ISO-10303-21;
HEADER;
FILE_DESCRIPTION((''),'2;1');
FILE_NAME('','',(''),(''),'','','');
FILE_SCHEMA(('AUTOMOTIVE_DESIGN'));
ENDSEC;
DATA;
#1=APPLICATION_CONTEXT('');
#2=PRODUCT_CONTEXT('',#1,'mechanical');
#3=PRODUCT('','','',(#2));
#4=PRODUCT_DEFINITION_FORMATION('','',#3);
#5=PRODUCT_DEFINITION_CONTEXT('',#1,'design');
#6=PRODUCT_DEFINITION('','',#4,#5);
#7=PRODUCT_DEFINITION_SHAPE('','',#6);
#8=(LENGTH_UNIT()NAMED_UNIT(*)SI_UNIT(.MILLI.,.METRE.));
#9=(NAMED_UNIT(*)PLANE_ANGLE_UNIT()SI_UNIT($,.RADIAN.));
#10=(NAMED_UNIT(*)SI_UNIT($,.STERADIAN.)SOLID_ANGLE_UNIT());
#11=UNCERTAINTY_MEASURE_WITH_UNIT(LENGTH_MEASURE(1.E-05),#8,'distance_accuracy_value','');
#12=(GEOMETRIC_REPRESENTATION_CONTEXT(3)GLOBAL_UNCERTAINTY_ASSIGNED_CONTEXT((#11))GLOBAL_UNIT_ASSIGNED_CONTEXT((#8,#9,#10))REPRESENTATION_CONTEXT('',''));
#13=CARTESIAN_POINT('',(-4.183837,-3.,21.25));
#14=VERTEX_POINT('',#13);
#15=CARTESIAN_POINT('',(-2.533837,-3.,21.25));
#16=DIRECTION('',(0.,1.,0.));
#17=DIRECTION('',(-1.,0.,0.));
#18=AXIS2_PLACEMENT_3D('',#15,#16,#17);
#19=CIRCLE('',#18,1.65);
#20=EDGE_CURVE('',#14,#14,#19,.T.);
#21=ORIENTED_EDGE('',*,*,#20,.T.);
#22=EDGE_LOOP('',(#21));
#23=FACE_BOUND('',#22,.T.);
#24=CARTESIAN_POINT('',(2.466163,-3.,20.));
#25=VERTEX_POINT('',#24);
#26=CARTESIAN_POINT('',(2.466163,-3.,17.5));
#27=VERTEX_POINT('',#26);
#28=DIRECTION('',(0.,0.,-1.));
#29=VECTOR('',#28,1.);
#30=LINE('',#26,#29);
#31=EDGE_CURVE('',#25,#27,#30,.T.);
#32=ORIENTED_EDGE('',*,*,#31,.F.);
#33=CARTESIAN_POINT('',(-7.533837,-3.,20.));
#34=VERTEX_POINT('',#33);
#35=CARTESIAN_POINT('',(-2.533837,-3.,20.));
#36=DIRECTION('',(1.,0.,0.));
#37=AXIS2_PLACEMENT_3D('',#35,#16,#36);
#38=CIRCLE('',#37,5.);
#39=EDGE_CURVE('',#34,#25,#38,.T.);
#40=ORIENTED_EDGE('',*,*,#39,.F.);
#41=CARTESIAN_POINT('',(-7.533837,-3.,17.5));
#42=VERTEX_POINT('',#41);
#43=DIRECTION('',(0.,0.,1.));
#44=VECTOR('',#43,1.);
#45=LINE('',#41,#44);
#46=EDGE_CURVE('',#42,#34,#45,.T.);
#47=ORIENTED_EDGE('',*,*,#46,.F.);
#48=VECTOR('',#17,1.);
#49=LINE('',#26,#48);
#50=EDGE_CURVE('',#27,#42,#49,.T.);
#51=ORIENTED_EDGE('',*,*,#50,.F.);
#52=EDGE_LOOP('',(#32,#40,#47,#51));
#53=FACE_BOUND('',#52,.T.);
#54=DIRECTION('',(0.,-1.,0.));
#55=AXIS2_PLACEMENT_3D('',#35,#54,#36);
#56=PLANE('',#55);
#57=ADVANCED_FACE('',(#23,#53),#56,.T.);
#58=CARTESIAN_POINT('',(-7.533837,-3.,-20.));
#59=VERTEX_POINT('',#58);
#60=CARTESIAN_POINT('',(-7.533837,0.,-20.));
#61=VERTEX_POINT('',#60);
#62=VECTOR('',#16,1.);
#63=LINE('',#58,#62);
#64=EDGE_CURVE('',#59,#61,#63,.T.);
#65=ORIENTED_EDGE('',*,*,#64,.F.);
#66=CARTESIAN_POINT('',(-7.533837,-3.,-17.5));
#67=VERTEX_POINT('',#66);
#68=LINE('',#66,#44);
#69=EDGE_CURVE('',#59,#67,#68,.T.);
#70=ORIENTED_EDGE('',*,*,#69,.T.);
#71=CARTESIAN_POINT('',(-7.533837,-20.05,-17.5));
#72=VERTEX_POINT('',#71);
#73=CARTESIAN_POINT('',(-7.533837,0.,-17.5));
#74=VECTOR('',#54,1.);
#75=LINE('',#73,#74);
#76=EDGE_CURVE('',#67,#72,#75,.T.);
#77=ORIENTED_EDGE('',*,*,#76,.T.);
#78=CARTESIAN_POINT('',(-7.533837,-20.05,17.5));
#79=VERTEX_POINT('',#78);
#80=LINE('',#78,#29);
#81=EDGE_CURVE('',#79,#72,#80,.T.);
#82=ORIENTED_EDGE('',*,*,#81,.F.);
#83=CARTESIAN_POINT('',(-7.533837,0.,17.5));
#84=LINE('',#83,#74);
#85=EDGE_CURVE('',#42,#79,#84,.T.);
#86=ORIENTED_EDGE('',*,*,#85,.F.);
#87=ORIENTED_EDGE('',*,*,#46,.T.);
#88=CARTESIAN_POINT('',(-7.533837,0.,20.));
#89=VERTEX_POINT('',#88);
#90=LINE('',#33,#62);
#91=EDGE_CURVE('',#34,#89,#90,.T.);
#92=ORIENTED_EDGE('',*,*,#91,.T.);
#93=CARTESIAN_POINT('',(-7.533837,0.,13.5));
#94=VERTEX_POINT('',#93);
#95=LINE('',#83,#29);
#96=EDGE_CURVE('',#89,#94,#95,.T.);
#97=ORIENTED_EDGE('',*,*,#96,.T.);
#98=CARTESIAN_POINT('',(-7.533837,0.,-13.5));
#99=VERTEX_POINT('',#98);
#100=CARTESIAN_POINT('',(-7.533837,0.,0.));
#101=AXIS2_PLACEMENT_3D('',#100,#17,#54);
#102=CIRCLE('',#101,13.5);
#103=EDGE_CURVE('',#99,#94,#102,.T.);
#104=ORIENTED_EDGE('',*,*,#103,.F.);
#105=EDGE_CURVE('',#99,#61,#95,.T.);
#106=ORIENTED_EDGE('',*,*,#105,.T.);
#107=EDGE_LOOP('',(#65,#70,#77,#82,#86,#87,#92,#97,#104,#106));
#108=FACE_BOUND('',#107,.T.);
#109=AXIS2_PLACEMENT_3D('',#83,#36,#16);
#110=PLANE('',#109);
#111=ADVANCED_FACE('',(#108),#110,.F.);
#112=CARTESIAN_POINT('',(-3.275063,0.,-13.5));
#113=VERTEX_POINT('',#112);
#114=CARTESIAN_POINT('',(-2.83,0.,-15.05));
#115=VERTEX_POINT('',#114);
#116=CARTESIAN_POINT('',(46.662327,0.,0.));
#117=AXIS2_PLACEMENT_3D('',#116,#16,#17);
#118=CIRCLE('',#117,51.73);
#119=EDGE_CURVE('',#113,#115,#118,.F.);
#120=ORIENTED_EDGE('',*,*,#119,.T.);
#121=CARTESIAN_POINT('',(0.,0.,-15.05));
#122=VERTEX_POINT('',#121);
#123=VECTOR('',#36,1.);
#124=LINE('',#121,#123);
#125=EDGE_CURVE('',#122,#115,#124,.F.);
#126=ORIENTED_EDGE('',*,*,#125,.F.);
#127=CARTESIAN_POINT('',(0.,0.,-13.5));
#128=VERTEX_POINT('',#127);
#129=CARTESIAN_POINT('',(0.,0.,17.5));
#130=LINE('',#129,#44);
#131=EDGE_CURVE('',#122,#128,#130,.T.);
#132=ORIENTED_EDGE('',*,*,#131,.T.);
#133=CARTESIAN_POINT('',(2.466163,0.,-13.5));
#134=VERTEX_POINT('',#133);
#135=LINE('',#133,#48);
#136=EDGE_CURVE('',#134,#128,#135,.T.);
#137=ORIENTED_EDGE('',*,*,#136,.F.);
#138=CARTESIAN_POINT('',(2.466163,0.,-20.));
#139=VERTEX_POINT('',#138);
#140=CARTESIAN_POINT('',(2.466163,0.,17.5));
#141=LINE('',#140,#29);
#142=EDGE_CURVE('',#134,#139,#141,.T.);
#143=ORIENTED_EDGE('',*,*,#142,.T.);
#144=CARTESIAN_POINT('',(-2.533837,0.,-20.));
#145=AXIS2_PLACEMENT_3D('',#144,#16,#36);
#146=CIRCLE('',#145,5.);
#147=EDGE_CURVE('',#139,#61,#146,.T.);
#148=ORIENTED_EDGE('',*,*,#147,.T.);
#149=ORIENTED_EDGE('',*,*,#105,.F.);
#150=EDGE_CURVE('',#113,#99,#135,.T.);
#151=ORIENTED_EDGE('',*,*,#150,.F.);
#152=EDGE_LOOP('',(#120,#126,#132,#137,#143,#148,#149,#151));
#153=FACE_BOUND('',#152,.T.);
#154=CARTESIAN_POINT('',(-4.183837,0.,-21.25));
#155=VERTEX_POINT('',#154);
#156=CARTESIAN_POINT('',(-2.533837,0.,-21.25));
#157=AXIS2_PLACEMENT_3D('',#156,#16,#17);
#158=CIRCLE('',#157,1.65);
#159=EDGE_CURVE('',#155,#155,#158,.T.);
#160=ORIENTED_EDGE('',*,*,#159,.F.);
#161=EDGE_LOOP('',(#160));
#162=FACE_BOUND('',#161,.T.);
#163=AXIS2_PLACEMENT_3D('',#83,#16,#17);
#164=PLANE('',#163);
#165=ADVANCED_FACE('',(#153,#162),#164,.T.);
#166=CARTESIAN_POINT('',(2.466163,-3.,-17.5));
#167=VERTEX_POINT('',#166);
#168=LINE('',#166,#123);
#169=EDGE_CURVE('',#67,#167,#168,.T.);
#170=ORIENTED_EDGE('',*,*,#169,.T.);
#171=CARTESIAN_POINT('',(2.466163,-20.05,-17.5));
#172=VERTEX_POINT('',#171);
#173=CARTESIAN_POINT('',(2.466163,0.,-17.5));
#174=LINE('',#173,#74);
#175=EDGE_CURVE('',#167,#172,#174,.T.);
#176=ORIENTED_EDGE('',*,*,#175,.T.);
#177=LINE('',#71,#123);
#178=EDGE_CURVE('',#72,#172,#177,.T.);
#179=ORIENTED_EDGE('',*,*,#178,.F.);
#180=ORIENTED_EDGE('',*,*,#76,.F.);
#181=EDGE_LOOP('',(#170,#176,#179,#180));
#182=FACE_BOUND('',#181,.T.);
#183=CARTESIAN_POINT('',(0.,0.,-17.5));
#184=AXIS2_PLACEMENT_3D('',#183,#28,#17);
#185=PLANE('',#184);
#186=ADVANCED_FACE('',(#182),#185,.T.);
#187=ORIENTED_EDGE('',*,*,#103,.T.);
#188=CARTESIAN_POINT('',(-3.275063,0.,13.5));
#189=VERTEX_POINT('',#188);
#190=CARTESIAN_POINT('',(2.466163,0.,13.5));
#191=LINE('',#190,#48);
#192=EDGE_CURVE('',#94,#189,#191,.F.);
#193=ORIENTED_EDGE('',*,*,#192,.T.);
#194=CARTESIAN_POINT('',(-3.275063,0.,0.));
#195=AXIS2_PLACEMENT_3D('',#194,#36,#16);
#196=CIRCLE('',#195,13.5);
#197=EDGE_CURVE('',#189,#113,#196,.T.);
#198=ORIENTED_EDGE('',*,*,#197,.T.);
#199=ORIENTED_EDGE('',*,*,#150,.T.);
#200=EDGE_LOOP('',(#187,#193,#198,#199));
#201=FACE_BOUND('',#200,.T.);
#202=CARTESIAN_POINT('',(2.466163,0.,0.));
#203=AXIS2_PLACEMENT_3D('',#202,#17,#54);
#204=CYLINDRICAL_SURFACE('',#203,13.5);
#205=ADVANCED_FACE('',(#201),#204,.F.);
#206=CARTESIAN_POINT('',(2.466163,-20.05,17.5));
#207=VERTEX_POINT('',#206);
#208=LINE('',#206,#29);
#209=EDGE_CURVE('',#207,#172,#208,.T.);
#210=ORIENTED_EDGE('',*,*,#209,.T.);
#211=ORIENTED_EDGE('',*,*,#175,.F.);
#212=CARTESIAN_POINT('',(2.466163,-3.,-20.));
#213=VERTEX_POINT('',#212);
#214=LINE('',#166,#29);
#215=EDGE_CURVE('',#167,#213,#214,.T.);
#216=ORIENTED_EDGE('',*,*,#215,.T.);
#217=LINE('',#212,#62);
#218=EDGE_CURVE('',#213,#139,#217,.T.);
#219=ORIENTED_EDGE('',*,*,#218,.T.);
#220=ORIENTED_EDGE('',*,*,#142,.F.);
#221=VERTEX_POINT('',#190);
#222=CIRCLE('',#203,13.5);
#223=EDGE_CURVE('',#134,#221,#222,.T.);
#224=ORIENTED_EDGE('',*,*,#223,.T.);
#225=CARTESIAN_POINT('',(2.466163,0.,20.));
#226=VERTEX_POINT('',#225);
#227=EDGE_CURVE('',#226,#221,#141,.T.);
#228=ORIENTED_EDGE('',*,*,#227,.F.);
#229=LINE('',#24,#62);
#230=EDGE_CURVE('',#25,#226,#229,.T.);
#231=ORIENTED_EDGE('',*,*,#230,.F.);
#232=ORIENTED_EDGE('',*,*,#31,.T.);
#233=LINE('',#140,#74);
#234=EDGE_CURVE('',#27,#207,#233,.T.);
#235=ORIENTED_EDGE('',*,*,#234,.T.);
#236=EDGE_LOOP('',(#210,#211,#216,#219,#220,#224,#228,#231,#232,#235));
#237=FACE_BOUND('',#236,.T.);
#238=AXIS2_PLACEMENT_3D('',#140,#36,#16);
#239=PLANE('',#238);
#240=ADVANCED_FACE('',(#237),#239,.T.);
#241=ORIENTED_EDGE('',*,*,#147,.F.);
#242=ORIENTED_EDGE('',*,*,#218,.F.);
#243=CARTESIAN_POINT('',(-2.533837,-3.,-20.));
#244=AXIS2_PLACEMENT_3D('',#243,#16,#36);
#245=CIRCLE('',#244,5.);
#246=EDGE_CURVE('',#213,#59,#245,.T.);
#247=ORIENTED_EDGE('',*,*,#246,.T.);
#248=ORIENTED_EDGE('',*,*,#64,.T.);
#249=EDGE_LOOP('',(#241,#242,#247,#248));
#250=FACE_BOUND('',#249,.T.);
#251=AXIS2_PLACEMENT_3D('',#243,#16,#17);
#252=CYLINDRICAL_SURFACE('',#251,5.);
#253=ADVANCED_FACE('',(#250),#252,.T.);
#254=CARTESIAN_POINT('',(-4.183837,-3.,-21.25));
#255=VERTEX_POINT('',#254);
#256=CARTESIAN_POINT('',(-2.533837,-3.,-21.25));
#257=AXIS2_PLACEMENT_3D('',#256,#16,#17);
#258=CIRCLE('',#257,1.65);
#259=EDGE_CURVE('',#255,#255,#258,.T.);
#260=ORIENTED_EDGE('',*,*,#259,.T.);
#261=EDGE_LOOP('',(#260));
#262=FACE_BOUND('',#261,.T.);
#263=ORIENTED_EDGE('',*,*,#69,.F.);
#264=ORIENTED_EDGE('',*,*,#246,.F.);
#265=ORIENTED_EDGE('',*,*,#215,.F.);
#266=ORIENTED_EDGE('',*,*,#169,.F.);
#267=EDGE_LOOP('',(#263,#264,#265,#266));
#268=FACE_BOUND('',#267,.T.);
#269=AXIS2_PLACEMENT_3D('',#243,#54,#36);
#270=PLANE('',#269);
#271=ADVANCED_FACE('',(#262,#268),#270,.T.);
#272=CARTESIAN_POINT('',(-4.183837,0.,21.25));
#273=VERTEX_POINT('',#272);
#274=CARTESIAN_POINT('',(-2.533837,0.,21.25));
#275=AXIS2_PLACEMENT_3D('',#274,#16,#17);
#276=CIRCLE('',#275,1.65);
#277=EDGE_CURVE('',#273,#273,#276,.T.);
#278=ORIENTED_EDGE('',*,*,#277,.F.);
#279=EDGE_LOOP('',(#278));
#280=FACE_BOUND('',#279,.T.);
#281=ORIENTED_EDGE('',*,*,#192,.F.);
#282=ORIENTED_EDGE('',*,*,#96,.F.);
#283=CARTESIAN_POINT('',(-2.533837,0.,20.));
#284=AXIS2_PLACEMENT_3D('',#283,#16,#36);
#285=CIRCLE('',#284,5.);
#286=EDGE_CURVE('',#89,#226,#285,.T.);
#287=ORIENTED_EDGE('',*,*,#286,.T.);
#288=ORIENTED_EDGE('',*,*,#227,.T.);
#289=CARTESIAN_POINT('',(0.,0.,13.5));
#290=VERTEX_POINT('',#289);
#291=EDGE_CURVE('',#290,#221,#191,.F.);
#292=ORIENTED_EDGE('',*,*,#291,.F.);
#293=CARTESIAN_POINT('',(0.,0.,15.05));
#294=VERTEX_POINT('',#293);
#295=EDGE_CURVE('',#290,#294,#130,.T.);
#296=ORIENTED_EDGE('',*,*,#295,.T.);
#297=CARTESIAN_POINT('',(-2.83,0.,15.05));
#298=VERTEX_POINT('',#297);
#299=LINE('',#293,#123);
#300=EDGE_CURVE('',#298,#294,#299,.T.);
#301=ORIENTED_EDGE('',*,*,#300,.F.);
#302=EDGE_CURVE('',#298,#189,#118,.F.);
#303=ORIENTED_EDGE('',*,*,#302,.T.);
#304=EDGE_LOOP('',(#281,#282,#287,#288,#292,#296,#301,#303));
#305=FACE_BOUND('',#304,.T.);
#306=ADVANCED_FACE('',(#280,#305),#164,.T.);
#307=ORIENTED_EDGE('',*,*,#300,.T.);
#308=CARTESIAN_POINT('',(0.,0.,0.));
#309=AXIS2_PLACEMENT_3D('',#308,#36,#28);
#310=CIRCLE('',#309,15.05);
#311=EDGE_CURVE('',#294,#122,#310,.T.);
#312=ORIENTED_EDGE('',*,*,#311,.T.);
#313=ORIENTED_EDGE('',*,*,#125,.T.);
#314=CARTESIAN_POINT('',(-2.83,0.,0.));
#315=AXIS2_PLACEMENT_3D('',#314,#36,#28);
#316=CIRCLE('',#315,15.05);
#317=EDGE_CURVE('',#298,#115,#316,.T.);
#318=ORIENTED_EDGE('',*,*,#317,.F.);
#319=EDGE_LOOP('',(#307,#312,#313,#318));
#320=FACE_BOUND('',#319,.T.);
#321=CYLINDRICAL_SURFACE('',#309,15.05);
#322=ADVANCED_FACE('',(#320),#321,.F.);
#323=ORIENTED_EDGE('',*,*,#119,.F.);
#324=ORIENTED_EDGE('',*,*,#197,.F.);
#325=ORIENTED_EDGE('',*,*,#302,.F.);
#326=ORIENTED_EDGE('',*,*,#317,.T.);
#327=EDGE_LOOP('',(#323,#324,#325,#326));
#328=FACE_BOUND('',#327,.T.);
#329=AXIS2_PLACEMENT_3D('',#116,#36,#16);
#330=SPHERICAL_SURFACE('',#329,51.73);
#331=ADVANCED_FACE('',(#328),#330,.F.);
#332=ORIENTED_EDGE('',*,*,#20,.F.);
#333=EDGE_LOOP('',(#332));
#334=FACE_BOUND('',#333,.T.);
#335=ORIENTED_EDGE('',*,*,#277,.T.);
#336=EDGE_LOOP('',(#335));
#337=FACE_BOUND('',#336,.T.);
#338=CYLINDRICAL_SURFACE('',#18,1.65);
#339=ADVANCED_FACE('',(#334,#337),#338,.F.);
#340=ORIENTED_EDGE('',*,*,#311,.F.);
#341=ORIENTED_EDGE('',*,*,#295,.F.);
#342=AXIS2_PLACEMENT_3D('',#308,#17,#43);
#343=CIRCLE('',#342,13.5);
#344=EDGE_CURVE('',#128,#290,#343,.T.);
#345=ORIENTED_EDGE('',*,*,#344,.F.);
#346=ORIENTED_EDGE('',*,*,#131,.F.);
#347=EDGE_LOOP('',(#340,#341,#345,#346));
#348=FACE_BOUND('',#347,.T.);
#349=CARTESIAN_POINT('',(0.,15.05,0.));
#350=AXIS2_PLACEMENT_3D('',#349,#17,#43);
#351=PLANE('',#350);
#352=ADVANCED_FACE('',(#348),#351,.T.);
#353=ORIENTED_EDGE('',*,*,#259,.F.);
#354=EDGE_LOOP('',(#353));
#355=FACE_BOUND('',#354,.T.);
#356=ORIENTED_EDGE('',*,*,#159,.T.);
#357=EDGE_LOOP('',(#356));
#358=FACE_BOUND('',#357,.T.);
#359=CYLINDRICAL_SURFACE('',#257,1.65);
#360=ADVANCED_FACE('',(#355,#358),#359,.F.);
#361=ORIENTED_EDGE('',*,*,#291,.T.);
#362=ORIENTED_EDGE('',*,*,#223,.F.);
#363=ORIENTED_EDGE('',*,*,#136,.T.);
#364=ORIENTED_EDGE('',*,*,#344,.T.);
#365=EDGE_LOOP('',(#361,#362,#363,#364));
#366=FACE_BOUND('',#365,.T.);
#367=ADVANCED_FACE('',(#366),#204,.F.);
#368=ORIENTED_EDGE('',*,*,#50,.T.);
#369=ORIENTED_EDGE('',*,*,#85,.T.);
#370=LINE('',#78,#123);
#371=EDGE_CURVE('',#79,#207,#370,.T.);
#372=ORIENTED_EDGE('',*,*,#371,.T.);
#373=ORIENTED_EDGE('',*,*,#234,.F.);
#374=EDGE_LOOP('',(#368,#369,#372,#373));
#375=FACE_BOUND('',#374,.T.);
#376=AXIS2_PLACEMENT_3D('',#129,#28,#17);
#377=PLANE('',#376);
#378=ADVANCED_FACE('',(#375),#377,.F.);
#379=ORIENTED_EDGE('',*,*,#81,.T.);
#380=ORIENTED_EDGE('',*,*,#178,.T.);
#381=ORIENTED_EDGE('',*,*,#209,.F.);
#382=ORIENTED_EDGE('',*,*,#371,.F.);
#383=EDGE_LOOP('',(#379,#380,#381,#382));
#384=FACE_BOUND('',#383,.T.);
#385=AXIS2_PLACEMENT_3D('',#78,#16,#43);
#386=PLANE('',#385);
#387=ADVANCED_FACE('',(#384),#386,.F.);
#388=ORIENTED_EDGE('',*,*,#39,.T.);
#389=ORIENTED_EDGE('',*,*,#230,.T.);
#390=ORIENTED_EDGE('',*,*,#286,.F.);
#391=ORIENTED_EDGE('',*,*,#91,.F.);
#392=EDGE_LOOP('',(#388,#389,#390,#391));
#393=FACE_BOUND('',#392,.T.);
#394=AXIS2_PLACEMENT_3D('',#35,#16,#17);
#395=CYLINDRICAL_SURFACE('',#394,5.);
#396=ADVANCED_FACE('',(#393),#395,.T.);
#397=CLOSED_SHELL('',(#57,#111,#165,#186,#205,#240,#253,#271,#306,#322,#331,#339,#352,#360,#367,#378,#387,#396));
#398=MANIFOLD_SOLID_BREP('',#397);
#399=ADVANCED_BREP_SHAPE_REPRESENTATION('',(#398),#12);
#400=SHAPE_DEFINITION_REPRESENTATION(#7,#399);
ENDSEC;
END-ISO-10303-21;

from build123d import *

# Parameters (mm, degrees)
SKETCH1_W           = 10
SKETCH1_H           = 20.05
BOSS_EXTRUDE4_DEPTH = 17.5
SKETCH11_R          = 13.5
CUT_EXTRUDE5_DEPTH  = 29.42978192
SKETCH13_R          = 1.65
BOSS_EXTRUDE7_DEPTH = 3


with BuildPart() as part:
    # Sketch1 → Boss-Extrude4 (new, symmetric)
    with BuildSketch(Plane.XY):
        with Locations((-2.533836661, -10.025)):
            Rectangle(SKETCH1_W, SKETCH1_H)
    extrude(amount=BOSS_EXTRUDE4_DEPTH, both=True)

    # Sketch1<5> → Cut-Revolve4 (revolve, cut)
    with BuildSketch(Plane.XY):
        with BuildLine():
            Line((0, 15.05), (-2.83, 15.05))
            ThreePointArc((-2.83, 15.05), (-4.505197002, 7.607721109), (-5.067673322, 0))
            Line((-5.067673322, 0), (0, 0))
            Line((0, 0), (0, 15.05))
        make_face()
    revolve(axis=Axis((0, 0, 0), (-1, 0, 0)), mode=Mode.SUBTRACT)

    # Sketch11 → Cut-Extrude5 (cut, through all)
    with BuildSketch(Plane.ZY.offset(7.533836661)):
        Circle(SKETCH11_R)
    extrude(amount=-CUT_EXTRUDE5_DEPTH, mode=Mode.SUBTRACT)

    # Sketch13 → Boss-Extrude7 (add)
    # profile 1 of 2: a face of its own
    with BuildSketch(Plane(origin=(0, 0, 0), x_dir=(1, 0, 0), z_dir=(0, 1, 0))):
        with BuildLine():
            Line((2.466163339, 17.5), (-7.533836661, 17.5))
            Line((-7.533836661, 17.5), (-7.533836661, 20))
            ThreePointArc((-7.533836661, 20), (-2.533836661, 25), (2.466163339, 20))
            Line((2.466163339, 20), (2.466163339, 17.5))
        make_face()
        with Locations((-2.533836661, 21.25)):
            Circle(SKETCH13_R, mode=Mode.SUBTRACT)
    # profile 2 of 2: a face of its own
    with BuildSketch(Plane(origin=(0, 0, 0), x_dir=(1, 0, 0), z_dir=(0, 1, 0))):
        with BuildLine():
            Line((2.466163339, -17.5), (-7.533836661, -17.5))
            Line((-7.533836661, -17.5), (-7.533836661, -20))
            ThreePointArc((-7.533836661, -20), (-2.533836661, -25), (2.466163339, -20))
            Line((2.466163339, -20), (2.466163339, -17.5))
        make_face()
        with Locations((-2.533836661, -21.25)):
            Circle(SKETCH13_R, mode=Mode.SUBTRACT)
    extrude(amount=-BOSS_EXTRUDE7_DEPTH)


solid = part.part
